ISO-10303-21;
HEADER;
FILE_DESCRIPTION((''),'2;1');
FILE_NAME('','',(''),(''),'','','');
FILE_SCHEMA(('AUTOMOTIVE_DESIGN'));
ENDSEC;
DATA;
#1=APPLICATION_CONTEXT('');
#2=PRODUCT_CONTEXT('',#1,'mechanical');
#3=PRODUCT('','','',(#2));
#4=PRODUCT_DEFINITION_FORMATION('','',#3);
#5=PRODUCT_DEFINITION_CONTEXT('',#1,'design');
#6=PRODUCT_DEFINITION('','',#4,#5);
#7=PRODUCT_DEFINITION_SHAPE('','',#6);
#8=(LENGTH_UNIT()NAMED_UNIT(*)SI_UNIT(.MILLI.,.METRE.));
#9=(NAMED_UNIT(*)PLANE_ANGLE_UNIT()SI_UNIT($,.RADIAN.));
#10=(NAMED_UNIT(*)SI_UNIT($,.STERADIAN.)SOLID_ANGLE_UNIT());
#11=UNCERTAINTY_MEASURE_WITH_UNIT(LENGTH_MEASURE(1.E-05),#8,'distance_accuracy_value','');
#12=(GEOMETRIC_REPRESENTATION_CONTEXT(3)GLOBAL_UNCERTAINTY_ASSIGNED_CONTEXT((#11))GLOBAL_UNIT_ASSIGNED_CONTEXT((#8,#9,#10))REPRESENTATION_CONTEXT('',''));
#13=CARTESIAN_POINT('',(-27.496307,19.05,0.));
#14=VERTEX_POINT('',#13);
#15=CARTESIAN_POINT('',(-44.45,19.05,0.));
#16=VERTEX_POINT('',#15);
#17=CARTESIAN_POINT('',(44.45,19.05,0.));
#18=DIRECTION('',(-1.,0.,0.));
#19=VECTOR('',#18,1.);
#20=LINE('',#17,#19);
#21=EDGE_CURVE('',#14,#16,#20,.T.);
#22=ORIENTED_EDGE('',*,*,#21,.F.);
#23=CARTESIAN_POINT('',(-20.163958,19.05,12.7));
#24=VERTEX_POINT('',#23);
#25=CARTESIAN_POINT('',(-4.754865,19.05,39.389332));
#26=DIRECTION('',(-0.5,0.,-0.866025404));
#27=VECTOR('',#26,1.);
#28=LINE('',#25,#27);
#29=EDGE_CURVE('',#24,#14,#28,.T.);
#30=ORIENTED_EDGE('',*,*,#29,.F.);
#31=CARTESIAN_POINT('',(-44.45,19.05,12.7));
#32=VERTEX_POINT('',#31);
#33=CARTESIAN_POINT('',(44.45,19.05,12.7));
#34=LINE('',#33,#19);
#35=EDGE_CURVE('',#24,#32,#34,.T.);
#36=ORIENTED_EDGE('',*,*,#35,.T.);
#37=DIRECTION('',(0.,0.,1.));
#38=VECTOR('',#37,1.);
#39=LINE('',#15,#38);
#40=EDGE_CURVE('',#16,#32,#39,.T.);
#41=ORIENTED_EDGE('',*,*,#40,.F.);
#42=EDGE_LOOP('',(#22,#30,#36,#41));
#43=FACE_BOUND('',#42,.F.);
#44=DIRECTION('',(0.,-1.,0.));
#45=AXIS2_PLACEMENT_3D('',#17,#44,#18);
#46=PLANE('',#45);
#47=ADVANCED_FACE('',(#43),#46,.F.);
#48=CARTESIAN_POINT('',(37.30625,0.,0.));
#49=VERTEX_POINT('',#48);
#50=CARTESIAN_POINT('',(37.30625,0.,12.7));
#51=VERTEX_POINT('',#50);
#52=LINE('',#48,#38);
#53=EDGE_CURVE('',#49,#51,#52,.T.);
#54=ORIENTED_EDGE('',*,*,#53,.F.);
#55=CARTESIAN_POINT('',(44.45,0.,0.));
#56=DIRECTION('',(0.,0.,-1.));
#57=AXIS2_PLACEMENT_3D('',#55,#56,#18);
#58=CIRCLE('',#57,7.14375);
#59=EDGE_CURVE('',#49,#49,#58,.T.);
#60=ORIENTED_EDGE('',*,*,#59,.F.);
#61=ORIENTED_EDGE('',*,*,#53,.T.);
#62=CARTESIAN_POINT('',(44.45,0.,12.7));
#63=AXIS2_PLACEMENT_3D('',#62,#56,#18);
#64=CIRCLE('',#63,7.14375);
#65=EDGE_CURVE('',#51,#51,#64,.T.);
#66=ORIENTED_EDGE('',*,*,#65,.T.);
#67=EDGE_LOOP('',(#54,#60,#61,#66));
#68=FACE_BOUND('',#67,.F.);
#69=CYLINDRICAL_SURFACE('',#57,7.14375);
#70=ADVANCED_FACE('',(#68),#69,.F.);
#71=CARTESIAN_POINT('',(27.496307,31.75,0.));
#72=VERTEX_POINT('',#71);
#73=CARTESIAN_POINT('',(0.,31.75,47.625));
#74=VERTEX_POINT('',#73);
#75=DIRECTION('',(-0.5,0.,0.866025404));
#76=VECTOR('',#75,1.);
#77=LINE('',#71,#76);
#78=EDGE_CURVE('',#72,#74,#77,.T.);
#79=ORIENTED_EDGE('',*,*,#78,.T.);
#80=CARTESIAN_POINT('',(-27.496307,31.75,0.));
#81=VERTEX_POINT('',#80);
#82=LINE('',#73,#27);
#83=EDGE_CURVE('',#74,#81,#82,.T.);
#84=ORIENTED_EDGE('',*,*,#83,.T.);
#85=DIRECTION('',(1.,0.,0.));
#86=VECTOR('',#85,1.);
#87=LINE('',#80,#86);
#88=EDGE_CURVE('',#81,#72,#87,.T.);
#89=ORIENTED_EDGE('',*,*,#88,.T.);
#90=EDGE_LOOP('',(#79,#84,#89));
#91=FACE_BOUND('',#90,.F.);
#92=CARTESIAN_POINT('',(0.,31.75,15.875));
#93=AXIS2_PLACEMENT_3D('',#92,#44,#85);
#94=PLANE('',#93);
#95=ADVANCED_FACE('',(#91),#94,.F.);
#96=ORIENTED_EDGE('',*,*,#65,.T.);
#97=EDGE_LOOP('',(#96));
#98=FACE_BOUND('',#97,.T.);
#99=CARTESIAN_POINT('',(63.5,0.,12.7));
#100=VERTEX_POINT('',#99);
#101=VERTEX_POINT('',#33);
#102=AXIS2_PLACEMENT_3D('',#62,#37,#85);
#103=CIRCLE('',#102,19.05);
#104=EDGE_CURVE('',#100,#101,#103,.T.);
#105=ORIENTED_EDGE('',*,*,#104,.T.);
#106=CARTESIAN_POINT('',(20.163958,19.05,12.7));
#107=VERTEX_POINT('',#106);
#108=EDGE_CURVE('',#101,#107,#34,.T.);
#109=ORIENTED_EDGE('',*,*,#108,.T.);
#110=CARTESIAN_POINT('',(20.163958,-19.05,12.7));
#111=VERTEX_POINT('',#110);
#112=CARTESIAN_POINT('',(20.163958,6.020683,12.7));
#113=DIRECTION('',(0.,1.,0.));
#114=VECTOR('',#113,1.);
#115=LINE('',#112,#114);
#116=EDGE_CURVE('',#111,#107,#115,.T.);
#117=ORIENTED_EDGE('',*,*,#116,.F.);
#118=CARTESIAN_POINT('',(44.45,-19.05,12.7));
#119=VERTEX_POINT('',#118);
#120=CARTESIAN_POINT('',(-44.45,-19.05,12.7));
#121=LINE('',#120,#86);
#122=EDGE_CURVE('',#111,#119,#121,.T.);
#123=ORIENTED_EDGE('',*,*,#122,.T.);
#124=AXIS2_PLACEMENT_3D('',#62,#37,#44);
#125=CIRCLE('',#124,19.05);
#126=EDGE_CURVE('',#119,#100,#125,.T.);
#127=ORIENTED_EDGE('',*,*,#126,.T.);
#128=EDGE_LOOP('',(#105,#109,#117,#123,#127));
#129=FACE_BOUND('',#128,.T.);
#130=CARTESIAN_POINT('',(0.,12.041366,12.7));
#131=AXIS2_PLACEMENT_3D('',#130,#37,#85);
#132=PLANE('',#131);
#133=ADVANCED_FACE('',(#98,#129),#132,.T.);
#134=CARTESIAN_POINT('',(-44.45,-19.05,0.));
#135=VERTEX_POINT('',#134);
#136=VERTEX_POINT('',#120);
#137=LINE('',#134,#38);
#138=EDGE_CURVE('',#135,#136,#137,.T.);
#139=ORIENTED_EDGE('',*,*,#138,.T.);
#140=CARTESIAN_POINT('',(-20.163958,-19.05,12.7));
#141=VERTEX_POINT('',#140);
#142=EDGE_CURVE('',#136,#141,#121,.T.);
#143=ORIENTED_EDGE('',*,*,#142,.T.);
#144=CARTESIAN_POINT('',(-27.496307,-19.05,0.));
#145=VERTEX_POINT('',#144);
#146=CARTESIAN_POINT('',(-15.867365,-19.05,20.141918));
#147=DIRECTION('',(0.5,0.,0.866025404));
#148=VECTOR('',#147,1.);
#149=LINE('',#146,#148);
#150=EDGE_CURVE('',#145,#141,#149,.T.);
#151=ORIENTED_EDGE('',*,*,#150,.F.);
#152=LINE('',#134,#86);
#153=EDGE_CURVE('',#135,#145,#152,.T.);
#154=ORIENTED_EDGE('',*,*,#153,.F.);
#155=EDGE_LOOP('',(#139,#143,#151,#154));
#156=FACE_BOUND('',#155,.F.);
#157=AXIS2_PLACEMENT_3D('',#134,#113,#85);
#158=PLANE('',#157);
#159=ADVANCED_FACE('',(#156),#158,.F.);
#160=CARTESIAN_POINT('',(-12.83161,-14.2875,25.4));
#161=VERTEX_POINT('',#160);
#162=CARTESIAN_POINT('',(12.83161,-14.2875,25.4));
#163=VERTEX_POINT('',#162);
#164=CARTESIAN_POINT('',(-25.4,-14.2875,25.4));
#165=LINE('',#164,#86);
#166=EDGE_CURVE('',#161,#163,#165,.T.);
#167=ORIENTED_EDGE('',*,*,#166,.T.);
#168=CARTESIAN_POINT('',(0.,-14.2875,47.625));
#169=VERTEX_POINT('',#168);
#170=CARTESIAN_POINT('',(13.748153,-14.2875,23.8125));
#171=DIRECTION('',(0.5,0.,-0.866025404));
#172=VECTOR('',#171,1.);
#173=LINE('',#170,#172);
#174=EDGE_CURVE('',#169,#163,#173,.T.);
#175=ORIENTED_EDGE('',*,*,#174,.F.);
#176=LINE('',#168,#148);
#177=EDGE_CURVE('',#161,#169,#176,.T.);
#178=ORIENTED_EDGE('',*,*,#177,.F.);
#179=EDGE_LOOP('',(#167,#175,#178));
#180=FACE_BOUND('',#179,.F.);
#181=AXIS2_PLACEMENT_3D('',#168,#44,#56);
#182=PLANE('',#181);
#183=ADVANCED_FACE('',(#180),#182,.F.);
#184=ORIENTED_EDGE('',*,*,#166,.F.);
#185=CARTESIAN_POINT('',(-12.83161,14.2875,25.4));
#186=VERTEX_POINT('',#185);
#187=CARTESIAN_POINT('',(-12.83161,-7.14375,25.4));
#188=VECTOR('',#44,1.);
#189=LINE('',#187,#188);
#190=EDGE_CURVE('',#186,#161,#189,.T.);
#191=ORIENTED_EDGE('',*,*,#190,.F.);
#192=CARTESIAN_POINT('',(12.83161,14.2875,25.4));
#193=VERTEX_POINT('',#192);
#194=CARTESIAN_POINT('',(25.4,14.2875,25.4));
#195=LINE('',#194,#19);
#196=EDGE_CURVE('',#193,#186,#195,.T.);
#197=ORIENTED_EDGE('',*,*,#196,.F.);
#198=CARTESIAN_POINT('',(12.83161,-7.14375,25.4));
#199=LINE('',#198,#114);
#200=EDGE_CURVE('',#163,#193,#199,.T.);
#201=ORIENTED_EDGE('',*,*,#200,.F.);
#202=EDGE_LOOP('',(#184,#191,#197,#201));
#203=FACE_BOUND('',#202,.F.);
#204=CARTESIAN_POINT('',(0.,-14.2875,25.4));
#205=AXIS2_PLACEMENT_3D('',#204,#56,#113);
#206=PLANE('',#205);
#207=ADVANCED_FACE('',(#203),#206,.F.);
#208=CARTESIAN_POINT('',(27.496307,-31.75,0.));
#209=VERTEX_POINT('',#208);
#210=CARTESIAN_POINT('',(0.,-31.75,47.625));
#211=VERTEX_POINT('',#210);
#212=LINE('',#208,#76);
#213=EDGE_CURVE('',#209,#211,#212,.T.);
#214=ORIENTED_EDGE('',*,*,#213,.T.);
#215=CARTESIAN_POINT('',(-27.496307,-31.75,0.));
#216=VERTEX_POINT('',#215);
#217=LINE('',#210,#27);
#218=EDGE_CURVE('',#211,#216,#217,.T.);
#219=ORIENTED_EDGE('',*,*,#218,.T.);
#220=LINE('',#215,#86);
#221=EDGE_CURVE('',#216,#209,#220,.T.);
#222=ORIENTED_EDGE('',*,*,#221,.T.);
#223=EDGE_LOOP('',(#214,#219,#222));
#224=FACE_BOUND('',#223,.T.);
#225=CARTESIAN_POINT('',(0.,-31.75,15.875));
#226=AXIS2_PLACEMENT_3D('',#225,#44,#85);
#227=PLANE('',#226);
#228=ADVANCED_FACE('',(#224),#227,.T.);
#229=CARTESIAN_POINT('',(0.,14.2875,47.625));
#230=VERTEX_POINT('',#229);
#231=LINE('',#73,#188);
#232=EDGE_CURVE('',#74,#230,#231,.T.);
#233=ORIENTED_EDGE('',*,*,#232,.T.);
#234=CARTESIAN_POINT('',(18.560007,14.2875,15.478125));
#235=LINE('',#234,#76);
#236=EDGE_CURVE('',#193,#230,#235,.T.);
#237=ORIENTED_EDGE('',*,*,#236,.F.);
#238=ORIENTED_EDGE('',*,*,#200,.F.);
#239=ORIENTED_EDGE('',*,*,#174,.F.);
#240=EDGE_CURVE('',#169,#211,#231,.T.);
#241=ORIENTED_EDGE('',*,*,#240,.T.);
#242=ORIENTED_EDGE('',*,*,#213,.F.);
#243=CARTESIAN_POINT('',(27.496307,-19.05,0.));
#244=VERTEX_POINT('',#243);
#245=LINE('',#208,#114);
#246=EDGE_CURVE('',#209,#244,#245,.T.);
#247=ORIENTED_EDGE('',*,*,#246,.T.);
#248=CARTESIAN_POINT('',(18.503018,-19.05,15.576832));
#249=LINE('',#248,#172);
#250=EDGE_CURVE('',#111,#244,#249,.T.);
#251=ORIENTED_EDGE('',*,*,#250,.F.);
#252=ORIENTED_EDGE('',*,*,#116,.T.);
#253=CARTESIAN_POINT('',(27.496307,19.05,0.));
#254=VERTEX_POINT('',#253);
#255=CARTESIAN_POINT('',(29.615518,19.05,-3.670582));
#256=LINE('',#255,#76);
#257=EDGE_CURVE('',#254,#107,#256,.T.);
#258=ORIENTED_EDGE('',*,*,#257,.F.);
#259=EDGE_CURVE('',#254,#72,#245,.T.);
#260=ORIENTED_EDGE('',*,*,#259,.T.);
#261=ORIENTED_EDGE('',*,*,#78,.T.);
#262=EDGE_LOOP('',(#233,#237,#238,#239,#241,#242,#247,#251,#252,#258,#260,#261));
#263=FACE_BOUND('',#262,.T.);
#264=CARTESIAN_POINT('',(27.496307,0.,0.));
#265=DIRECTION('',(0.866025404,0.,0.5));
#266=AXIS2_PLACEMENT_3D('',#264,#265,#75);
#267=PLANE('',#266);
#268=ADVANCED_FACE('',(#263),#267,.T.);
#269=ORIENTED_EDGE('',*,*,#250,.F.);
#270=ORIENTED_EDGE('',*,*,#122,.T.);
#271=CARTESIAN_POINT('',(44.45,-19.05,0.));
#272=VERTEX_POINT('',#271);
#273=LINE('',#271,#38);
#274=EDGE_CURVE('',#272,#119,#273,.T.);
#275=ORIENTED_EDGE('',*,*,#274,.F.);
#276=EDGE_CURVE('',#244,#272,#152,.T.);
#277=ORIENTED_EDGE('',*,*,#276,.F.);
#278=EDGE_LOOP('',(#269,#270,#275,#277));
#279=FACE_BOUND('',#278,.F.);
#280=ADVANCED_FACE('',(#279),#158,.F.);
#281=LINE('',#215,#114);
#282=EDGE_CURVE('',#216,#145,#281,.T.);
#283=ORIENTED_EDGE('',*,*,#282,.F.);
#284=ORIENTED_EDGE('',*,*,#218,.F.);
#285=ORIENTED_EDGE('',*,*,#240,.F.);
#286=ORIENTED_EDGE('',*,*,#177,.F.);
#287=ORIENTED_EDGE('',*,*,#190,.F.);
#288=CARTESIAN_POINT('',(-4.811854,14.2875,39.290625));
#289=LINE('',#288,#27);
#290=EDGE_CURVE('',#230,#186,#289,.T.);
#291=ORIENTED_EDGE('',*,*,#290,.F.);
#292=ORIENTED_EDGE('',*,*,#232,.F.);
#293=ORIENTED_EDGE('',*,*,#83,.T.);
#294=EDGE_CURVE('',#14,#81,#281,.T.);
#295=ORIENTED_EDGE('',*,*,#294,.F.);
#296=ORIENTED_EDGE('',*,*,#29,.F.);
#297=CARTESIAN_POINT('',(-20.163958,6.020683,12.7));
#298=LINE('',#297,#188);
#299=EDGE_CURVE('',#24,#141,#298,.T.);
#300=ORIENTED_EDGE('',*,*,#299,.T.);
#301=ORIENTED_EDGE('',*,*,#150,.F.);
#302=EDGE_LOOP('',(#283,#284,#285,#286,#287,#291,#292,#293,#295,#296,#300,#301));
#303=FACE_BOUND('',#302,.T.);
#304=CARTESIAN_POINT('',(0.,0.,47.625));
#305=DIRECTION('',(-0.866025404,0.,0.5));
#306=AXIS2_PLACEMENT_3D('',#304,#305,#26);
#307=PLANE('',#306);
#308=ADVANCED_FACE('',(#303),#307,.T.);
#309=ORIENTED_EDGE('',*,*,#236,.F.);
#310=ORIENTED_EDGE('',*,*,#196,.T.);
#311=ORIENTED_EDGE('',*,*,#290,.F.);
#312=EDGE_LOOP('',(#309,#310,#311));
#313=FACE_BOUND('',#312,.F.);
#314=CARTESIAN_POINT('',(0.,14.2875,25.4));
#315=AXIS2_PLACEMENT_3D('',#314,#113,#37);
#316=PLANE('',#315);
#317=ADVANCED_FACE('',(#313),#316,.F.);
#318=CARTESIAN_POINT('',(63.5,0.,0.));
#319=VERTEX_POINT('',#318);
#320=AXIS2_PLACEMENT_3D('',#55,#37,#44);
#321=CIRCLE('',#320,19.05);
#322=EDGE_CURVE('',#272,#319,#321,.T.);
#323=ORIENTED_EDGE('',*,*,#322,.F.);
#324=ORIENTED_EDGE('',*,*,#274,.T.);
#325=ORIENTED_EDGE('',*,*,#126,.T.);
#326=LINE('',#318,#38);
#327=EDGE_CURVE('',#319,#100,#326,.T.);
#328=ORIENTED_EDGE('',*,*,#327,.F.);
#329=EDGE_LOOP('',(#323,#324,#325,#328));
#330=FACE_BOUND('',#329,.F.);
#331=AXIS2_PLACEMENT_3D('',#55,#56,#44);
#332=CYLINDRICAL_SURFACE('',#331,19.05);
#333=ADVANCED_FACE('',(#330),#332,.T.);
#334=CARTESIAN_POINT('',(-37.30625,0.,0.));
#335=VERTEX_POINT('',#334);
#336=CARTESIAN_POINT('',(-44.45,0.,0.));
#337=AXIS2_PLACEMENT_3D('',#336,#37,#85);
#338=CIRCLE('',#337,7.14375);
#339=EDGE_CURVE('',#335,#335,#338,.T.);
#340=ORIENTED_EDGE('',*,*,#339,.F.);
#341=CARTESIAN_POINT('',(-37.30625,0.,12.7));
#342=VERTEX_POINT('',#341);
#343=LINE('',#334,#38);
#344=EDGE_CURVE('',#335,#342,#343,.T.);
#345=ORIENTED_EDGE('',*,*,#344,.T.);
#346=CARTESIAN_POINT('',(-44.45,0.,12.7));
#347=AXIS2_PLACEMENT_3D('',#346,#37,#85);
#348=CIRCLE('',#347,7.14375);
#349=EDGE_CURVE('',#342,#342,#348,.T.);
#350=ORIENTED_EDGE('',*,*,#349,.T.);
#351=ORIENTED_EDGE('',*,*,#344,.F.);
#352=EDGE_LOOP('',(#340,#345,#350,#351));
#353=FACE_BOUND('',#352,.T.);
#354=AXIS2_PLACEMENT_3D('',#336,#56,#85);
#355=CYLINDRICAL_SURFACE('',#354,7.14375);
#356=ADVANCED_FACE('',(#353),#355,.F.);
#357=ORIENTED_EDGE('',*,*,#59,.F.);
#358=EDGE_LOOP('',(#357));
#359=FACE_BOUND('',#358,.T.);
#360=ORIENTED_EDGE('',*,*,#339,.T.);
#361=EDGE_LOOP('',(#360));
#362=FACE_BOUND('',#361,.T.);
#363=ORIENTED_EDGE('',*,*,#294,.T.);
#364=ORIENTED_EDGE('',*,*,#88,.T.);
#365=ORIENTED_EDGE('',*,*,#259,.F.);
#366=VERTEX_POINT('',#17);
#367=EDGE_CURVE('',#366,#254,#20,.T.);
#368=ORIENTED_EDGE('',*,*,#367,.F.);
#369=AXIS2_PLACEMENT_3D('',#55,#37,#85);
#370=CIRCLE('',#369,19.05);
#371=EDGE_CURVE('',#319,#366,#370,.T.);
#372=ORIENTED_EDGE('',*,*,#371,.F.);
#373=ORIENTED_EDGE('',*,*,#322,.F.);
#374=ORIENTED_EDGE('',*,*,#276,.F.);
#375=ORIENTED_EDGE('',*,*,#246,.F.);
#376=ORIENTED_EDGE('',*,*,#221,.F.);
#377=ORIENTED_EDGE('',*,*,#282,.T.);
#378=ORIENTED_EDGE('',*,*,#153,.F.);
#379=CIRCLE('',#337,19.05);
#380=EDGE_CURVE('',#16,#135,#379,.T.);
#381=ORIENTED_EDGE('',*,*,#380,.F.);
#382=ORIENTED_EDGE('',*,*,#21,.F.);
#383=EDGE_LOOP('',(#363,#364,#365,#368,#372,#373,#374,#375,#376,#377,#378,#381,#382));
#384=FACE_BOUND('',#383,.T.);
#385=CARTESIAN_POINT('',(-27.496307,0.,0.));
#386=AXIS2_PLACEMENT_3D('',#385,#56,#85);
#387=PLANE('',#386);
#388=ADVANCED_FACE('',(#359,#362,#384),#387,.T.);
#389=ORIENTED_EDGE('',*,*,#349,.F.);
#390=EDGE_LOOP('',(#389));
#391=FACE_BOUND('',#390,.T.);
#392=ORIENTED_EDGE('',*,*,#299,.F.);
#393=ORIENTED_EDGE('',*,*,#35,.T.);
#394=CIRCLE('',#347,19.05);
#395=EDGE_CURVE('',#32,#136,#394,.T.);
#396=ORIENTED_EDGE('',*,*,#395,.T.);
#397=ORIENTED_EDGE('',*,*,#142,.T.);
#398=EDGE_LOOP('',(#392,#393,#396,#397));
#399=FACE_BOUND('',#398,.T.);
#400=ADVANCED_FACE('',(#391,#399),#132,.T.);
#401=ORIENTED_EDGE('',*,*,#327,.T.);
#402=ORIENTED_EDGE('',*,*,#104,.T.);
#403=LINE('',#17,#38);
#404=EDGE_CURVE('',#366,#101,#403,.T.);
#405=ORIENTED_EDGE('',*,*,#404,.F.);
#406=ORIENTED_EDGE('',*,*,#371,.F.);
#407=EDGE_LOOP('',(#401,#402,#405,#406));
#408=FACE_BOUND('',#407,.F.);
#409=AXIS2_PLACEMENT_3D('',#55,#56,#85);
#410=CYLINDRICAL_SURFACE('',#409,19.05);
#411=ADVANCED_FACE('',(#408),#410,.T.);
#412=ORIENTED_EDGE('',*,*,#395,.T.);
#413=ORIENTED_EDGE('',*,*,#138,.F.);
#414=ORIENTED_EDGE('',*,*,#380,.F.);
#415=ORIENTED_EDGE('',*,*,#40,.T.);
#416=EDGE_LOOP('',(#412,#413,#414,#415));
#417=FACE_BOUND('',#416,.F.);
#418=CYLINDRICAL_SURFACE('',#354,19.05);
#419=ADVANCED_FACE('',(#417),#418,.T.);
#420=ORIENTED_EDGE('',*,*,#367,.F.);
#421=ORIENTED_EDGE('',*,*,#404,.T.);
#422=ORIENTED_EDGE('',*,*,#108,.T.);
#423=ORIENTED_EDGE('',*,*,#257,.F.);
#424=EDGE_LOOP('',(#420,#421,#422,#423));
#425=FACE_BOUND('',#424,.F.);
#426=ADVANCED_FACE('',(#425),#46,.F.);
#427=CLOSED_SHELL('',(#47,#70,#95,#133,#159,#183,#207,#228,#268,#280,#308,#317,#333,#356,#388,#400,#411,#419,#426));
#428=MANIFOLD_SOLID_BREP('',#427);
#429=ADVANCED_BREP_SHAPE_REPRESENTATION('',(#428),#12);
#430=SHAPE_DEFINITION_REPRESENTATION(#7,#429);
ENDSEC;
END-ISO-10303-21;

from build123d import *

# Parameters (mm, degrees)
F0_R     = 7.14375
F1_DEPTH = 12.7
F3_DEPTH = 31.75
F5_DEPTH = 25.4


with BuildPart() as f1:
    # F0 (on Top) → F1 (new body)
    with BuildSketch(Plane.XY):
        with BuildLine():
            Line((-25.4, 0), (0, 0))
            Line((0, 0), (25.4, 0))
            ThreePointArc((25.4, 0), (30.9796158184, 13.4703841816), (44.45, 19.05))
            Line((44.45, 19.05), (-44.45, 19.05))
            ThreePointArc((-44.45, 19.05), (-30.9796158184, 13.4703841816), (-25.4, 0))
        make_face()
        with BuildLine():
            Line((25.4, 0), (0, 0))
            Line((0, 0), (-25.4, 0))
            ThreePointArc((-25.4, 0), (-30.9796158184, -13.4703841816), (-44.45, -19.05))
            Line((-44.45, -19.05), (44.45, -19.05))
            ThreePointArc((44.45, -19.05), (30.9796158184, -13.4703841816), (25.4, 0))
        make_face()
        with BuildLine():
            ThreePointArc((44.45, 19.05), (30.9796158184, 13.4703841816), (25.4, 0))
            ThreePointArc((25.4, 0), (30.9796158184, -13.4703841816), (44.45, -19.05))
            ThreePointArc((44.45, -19.05), (57.9203841816, -13.4703841816), (63.5, 0))
            ThreePointArc((63.5, 0), (57.9203841816, 13.4703841816), (44.45, 19.05))
        make_face()
        with BuildLine():
            ThreePointArc((51.59375, 0), (44.45, -7.14375), (37.30625, 0))
            ThreePointArc((37.30625, 0), (44.45, 7.14375), (51.59375, 0))
        make_face(mode=Mode.SUBTRACT)
        with BuildLine():
            ThreePointArc((-44.45, -19.05), (-30.9796158184, -13.4703841816), (-25.4, 0))
            ThreePointArc((-25.4, 0), (-30.9796158184, 13.4703841816), (-44.45, 19.05))
            ThreePointArc((-44.45, 19.05), (-63.5, 0), (-44.45, -19.05))
        make_face()
        with Locations((-44.45, 0)):
            Circle(F0_R, mode=Mode.SUBTRACT)
    extrude(amount=F1_DEPTH)

    # F2 (on Front) → F3 (join, symmetric)
    with BuildSketch(Plane.XZ):
        Polygon((27.4963065702, 0), (0, 47.625), (-27.4963065702, 0), align=None)
    extrude(amount=F3_DEPTH, both=True)

    # F4 (on Right) → F5 (cut, symmetric)
    with BuildSketch(Plane.YZ):
        Polygon((14.2875, 47.625), (0, 47.625), (-14.2875, 47.625), (-14.2875, 25.4), (14.2875, 25.4), align=None)
    extrude(amount=F5_DEPTH, both=True, mode=Mode.SUBTRACT)


solid = f1.part
